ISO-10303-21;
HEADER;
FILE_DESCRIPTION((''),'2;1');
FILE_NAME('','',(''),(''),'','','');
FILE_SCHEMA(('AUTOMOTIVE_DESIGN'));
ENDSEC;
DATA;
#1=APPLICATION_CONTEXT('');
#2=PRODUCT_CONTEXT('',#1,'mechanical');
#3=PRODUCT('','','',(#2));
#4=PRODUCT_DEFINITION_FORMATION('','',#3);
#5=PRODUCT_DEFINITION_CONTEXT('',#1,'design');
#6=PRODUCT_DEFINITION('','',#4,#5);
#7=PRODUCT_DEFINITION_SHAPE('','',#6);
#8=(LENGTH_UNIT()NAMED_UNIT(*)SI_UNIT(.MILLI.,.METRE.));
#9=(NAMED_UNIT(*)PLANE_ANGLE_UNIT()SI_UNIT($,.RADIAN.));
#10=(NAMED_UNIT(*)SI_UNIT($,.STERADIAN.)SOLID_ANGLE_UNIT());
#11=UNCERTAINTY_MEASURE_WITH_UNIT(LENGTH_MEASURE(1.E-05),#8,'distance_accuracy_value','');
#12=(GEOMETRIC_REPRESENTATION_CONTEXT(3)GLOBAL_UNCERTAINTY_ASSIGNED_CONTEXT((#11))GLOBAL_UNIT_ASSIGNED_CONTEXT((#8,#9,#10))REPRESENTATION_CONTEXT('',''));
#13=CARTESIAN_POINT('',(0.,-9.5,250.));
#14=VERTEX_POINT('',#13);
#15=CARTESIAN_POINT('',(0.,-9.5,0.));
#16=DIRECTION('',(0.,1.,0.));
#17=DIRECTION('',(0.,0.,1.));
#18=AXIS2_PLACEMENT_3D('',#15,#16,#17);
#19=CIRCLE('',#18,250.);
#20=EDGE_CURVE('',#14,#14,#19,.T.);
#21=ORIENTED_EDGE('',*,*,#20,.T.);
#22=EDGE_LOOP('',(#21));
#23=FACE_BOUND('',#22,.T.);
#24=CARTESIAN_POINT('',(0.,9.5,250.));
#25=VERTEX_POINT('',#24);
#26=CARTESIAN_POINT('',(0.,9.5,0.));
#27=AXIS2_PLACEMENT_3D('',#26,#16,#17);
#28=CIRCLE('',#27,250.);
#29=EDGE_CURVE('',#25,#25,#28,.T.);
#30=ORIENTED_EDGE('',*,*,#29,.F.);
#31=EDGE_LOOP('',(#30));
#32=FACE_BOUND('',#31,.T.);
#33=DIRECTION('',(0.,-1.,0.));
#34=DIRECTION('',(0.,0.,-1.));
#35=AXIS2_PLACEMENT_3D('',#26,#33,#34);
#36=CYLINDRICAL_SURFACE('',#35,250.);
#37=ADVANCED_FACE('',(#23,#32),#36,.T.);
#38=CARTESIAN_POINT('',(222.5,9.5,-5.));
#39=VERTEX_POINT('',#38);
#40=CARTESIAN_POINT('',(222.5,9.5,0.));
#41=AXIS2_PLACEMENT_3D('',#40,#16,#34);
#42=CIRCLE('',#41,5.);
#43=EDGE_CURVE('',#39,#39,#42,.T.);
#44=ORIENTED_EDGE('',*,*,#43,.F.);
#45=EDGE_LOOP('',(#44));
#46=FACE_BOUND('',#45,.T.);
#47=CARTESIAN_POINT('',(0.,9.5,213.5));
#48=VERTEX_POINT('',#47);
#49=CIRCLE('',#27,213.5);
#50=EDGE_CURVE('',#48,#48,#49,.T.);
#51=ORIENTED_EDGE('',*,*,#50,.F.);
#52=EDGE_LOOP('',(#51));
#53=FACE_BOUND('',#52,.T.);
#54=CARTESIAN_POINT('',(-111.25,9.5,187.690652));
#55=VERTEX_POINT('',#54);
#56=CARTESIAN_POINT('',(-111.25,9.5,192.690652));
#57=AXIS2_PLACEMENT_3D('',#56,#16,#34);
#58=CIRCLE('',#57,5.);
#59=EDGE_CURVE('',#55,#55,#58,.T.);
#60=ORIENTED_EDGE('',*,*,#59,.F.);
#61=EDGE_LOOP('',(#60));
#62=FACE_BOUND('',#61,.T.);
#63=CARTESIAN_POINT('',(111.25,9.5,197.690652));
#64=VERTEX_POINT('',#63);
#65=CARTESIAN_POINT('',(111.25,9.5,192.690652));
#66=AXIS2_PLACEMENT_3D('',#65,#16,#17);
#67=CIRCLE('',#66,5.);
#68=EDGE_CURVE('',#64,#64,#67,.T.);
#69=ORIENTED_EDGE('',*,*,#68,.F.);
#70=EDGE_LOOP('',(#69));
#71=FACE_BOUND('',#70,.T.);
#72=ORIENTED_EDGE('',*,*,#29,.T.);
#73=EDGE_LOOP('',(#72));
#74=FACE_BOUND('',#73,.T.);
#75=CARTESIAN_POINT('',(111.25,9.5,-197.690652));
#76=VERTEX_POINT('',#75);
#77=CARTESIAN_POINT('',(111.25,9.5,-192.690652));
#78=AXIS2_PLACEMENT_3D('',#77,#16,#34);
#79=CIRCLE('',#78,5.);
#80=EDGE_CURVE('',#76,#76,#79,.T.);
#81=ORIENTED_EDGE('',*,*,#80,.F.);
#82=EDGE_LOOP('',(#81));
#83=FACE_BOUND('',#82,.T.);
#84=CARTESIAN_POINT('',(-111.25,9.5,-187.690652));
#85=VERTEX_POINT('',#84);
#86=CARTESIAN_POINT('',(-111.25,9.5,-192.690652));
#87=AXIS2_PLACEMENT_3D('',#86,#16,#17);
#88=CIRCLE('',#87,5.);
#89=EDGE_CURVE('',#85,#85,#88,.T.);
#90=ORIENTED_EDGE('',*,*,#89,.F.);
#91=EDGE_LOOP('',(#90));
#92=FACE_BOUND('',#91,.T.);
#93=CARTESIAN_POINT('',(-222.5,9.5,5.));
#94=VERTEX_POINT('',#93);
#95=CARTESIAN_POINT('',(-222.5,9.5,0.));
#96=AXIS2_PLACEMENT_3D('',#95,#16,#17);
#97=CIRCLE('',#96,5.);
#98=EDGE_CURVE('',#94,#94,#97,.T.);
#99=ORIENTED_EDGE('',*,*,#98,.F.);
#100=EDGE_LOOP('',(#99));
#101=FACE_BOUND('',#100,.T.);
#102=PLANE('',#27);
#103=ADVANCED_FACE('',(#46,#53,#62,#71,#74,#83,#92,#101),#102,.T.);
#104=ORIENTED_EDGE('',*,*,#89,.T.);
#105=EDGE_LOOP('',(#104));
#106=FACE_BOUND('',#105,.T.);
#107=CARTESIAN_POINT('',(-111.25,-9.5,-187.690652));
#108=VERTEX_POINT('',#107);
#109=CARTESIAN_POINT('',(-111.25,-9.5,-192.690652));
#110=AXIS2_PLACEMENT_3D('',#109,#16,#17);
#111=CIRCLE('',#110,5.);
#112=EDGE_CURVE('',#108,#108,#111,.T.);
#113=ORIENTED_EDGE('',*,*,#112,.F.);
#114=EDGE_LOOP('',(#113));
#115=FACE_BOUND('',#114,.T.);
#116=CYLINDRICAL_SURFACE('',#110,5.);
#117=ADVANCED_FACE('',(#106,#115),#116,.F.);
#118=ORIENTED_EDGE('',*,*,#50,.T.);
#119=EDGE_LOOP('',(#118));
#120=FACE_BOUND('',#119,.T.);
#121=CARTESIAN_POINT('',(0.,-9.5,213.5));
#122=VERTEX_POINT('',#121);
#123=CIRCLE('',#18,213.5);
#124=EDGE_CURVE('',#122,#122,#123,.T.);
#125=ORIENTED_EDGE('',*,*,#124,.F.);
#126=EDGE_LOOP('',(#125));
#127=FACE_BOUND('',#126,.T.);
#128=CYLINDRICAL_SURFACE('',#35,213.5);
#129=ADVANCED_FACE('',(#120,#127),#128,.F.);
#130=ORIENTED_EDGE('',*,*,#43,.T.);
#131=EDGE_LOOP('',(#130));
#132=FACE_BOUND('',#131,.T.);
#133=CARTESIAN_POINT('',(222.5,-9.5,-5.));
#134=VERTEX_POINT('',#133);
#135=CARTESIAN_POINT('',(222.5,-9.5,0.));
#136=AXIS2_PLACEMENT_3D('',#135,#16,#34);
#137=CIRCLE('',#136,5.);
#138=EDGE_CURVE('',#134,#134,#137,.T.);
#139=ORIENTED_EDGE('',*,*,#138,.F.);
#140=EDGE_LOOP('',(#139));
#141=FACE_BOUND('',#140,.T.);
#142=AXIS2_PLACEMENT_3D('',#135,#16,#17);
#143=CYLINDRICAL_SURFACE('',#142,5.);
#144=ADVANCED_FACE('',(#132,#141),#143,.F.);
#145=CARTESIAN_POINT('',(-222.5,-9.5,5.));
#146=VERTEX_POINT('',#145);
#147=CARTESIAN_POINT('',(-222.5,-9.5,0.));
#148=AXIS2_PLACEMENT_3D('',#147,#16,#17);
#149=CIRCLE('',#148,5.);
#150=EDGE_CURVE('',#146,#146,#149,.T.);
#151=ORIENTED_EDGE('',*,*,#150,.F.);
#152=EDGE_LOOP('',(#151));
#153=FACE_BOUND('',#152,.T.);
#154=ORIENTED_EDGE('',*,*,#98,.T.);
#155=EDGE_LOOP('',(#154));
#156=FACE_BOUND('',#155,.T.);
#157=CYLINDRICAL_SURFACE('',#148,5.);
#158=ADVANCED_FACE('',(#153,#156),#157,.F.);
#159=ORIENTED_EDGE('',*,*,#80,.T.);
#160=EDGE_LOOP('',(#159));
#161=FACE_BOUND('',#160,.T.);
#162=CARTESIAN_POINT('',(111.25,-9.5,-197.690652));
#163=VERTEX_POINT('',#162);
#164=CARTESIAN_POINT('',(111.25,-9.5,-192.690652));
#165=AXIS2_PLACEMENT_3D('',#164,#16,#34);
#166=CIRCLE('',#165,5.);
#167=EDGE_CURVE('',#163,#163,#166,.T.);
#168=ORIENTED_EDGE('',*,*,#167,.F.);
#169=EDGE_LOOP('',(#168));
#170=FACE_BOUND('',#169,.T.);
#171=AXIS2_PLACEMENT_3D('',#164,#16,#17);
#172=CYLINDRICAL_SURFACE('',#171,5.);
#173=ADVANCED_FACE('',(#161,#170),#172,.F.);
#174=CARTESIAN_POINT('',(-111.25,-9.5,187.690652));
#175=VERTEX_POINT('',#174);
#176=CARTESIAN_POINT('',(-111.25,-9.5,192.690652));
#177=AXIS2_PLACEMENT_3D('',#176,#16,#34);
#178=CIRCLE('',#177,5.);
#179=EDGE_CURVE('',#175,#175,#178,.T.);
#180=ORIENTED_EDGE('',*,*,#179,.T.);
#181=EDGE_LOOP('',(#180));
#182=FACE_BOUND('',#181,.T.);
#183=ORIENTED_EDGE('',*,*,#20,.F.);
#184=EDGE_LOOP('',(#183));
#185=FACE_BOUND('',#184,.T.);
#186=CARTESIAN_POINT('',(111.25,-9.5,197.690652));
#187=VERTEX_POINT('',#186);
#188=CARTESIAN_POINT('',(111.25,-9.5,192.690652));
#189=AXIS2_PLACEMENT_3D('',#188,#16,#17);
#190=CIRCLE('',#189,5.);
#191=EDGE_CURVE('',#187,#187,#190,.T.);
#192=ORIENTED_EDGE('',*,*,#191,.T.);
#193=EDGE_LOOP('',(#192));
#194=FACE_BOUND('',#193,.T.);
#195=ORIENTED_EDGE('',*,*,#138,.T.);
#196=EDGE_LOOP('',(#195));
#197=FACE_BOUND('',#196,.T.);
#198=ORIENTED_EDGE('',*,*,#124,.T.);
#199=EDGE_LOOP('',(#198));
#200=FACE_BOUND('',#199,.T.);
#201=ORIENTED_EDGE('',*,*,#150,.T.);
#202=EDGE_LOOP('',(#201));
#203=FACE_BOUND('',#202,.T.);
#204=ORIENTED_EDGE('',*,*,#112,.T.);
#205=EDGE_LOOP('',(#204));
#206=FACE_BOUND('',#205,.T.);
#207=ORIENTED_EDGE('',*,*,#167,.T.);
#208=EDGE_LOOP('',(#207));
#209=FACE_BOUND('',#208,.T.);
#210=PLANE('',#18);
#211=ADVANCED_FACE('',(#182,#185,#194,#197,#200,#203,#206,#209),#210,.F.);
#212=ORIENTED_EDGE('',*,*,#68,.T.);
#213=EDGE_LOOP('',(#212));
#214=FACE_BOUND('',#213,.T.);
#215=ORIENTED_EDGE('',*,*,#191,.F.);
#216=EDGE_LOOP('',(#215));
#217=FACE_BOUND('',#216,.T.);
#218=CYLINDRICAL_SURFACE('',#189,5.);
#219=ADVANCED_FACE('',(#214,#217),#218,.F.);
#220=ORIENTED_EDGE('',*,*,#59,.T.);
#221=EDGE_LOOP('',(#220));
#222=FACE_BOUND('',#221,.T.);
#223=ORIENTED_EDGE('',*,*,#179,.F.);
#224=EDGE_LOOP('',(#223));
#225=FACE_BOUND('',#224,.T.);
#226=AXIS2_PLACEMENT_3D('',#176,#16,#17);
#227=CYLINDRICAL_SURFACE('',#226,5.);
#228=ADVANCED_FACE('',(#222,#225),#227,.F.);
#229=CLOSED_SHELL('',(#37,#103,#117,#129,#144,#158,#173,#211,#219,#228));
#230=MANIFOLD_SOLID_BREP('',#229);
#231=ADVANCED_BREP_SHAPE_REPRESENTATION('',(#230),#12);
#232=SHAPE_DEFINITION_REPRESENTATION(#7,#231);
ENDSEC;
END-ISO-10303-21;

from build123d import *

# Parameters (mm, degrees)
SKETCH1_R           = 250
SKETCH1_R_2         = 213.5
BOSS_EXTRUDE1_DEPTH = 9.5
SKETCH2_R           = 5
CUT_EXTRUDE1_DEPTH  = 355.063553617


with BuildPart() as part:
    # Sketch1 → Boss-Extrude1 (new, symmetric)
    with BuildSketch(Plane(origin=(0, 0, 0), x_dir=(1, 0, 0), z_dir=(0, 1, 0))):
        with Locations(Location((0, 0, 0), (0, 0, 270))):
            Circle(SKETCH1_R)
        with Locations(Location((0, 0, 0), (0, 0, 270))):
            Circle(SKETCH1_R_2, mode=Mode.SUBTRACT)
    extrude(amount=BOSS_EXTRUDE1_DEPTH, both=True)

    # Sketch2 → Cut-Extrude1 (cut, through all)
    with BuildSketch(Plane(origin=(0, 9.5, 0), x_dir=(1, 0, 0), z_dir=(0, 1, 0))):
        with Locations(Location((-111.25, 192.690652342, 0), (0, 0, 270))):
            Circle(SKETCH2_R)
        with Locations(Location((-222.5, 0, 0), (0, 0, 270))):
            Circle(SKETCH2_R)
        with Locations(Location((222.5, 0, 0), (0, 0, 90))):
            Circle(SKETCH2_R)
        with Locations(Location((111.25, 192.690652342, 0), (0, 0, 90))):
            Circle(SKETCH2_R)
        with Locations(Location((111.25, -192.690652342, 0), (0, 0, 270))):
            Circle(SKETCH2_R)
        with Locations(Location((-111.25, -192.690652342, 0), (0, 0, 90))):
            Circle(SKETCH2_R)
    extrude(amount=-CUT_EXTRUDE1_DEPTH, mode=Mode.SUBTRACT)


solid = part.part
